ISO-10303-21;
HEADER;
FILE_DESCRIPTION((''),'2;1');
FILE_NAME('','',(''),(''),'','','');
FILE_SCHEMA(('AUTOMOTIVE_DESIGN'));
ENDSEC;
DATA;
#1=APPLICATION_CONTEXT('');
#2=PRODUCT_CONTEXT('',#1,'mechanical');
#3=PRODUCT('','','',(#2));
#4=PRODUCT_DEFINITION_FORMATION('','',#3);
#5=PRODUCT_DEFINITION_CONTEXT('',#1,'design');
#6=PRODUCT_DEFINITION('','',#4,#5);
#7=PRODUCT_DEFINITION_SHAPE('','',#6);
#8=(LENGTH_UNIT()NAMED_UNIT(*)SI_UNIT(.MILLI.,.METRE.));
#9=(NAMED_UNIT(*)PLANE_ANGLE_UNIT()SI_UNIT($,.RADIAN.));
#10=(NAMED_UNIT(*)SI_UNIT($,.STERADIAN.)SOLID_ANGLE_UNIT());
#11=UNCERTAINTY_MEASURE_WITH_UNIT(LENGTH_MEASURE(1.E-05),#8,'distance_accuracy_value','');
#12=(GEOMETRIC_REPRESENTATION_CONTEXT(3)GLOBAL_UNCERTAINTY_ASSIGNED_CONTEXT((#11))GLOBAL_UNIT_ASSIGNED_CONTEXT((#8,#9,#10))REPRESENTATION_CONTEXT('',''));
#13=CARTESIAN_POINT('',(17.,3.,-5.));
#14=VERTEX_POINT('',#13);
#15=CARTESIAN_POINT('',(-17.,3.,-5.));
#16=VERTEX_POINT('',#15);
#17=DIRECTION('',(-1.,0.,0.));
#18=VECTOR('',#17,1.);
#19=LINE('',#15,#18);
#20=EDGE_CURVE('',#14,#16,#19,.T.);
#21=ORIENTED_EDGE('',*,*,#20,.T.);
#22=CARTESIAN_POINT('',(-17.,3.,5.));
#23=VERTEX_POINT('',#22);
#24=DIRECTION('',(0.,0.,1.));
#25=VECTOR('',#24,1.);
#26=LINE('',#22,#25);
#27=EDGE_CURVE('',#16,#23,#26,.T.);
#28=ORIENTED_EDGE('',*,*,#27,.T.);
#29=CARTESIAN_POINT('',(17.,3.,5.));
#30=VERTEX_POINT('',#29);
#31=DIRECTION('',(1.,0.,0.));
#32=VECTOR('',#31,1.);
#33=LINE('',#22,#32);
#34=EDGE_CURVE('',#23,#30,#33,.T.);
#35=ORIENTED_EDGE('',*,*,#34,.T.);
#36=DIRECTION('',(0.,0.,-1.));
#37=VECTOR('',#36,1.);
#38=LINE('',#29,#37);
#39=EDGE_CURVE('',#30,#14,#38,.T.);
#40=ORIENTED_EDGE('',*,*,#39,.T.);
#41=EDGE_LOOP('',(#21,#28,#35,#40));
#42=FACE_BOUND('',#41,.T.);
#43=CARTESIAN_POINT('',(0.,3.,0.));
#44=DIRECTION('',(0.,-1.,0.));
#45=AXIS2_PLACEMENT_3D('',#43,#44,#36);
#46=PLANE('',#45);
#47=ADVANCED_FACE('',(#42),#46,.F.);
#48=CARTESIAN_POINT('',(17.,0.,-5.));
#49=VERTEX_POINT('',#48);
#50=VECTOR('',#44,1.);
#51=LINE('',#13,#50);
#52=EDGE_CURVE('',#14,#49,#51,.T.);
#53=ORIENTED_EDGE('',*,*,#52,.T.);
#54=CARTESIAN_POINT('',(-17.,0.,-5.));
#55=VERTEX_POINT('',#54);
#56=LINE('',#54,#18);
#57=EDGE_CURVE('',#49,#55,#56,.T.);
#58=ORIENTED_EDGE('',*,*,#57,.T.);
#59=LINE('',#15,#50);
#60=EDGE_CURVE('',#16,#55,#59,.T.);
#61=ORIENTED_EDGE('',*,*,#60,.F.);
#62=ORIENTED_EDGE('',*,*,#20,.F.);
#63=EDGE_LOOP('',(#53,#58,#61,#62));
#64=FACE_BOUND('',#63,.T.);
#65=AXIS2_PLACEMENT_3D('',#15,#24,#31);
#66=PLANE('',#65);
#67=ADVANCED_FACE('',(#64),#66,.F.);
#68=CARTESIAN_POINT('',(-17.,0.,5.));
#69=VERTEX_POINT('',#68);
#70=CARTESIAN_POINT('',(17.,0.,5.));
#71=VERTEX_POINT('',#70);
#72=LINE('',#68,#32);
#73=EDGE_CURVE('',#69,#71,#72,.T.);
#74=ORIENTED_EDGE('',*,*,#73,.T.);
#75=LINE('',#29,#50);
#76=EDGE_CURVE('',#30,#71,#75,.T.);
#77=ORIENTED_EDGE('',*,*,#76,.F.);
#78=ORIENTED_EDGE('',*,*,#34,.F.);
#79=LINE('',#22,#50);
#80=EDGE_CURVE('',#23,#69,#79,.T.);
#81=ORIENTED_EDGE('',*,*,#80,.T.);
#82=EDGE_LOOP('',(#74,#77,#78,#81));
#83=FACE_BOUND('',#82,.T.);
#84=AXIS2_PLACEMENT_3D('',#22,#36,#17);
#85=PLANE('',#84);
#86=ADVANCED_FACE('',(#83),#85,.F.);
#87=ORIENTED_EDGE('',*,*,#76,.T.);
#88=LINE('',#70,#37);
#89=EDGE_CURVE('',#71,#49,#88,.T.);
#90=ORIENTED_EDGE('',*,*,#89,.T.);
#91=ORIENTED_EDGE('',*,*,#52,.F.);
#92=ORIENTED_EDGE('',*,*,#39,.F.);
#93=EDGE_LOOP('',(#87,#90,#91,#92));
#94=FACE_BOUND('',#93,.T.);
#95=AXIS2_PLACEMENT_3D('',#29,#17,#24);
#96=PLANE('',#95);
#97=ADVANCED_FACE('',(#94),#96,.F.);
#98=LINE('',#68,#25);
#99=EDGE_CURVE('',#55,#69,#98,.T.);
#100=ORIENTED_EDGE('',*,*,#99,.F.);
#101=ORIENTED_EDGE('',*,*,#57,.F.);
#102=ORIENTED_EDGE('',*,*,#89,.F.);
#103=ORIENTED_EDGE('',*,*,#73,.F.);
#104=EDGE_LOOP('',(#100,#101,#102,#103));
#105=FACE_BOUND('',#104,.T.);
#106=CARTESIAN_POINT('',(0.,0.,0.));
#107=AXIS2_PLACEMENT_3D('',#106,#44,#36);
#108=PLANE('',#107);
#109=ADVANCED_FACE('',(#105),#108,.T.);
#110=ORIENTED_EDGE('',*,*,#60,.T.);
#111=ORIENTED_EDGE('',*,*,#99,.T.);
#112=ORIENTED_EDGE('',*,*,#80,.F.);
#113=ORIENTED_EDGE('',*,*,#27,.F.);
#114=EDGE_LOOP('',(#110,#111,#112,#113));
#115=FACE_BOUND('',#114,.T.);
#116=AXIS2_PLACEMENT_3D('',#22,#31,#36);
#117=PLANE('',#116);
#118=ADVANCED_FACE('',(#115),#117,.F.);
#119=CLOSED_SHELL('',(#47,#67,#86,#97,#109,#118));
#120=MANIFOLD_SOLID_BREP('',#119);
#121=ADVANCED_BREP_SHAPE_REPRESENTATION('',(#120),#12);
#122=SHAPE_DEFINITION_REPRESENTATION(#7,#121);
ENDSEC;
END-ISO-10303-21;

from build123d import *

# Parameters (mm, degrees)
SKETCH_1_W      = 34
SKETCH_1_H      = 10
EXTRUDE_1_DEPTH = 3


with BuildPart() as part:
    # 草图1 → 凸台-拉伸1 (new body)
    with BuildSketch(Plane(origin=(0, 0, 0), x_dir=(1, 0, 0), z_dir=(0, 1, 0))):
        Rectangle(SKETCH_1_W, SKETCH_1_H)
    extrude(amount=EXTRUDE_1_DEPTH)


solid = part.part
